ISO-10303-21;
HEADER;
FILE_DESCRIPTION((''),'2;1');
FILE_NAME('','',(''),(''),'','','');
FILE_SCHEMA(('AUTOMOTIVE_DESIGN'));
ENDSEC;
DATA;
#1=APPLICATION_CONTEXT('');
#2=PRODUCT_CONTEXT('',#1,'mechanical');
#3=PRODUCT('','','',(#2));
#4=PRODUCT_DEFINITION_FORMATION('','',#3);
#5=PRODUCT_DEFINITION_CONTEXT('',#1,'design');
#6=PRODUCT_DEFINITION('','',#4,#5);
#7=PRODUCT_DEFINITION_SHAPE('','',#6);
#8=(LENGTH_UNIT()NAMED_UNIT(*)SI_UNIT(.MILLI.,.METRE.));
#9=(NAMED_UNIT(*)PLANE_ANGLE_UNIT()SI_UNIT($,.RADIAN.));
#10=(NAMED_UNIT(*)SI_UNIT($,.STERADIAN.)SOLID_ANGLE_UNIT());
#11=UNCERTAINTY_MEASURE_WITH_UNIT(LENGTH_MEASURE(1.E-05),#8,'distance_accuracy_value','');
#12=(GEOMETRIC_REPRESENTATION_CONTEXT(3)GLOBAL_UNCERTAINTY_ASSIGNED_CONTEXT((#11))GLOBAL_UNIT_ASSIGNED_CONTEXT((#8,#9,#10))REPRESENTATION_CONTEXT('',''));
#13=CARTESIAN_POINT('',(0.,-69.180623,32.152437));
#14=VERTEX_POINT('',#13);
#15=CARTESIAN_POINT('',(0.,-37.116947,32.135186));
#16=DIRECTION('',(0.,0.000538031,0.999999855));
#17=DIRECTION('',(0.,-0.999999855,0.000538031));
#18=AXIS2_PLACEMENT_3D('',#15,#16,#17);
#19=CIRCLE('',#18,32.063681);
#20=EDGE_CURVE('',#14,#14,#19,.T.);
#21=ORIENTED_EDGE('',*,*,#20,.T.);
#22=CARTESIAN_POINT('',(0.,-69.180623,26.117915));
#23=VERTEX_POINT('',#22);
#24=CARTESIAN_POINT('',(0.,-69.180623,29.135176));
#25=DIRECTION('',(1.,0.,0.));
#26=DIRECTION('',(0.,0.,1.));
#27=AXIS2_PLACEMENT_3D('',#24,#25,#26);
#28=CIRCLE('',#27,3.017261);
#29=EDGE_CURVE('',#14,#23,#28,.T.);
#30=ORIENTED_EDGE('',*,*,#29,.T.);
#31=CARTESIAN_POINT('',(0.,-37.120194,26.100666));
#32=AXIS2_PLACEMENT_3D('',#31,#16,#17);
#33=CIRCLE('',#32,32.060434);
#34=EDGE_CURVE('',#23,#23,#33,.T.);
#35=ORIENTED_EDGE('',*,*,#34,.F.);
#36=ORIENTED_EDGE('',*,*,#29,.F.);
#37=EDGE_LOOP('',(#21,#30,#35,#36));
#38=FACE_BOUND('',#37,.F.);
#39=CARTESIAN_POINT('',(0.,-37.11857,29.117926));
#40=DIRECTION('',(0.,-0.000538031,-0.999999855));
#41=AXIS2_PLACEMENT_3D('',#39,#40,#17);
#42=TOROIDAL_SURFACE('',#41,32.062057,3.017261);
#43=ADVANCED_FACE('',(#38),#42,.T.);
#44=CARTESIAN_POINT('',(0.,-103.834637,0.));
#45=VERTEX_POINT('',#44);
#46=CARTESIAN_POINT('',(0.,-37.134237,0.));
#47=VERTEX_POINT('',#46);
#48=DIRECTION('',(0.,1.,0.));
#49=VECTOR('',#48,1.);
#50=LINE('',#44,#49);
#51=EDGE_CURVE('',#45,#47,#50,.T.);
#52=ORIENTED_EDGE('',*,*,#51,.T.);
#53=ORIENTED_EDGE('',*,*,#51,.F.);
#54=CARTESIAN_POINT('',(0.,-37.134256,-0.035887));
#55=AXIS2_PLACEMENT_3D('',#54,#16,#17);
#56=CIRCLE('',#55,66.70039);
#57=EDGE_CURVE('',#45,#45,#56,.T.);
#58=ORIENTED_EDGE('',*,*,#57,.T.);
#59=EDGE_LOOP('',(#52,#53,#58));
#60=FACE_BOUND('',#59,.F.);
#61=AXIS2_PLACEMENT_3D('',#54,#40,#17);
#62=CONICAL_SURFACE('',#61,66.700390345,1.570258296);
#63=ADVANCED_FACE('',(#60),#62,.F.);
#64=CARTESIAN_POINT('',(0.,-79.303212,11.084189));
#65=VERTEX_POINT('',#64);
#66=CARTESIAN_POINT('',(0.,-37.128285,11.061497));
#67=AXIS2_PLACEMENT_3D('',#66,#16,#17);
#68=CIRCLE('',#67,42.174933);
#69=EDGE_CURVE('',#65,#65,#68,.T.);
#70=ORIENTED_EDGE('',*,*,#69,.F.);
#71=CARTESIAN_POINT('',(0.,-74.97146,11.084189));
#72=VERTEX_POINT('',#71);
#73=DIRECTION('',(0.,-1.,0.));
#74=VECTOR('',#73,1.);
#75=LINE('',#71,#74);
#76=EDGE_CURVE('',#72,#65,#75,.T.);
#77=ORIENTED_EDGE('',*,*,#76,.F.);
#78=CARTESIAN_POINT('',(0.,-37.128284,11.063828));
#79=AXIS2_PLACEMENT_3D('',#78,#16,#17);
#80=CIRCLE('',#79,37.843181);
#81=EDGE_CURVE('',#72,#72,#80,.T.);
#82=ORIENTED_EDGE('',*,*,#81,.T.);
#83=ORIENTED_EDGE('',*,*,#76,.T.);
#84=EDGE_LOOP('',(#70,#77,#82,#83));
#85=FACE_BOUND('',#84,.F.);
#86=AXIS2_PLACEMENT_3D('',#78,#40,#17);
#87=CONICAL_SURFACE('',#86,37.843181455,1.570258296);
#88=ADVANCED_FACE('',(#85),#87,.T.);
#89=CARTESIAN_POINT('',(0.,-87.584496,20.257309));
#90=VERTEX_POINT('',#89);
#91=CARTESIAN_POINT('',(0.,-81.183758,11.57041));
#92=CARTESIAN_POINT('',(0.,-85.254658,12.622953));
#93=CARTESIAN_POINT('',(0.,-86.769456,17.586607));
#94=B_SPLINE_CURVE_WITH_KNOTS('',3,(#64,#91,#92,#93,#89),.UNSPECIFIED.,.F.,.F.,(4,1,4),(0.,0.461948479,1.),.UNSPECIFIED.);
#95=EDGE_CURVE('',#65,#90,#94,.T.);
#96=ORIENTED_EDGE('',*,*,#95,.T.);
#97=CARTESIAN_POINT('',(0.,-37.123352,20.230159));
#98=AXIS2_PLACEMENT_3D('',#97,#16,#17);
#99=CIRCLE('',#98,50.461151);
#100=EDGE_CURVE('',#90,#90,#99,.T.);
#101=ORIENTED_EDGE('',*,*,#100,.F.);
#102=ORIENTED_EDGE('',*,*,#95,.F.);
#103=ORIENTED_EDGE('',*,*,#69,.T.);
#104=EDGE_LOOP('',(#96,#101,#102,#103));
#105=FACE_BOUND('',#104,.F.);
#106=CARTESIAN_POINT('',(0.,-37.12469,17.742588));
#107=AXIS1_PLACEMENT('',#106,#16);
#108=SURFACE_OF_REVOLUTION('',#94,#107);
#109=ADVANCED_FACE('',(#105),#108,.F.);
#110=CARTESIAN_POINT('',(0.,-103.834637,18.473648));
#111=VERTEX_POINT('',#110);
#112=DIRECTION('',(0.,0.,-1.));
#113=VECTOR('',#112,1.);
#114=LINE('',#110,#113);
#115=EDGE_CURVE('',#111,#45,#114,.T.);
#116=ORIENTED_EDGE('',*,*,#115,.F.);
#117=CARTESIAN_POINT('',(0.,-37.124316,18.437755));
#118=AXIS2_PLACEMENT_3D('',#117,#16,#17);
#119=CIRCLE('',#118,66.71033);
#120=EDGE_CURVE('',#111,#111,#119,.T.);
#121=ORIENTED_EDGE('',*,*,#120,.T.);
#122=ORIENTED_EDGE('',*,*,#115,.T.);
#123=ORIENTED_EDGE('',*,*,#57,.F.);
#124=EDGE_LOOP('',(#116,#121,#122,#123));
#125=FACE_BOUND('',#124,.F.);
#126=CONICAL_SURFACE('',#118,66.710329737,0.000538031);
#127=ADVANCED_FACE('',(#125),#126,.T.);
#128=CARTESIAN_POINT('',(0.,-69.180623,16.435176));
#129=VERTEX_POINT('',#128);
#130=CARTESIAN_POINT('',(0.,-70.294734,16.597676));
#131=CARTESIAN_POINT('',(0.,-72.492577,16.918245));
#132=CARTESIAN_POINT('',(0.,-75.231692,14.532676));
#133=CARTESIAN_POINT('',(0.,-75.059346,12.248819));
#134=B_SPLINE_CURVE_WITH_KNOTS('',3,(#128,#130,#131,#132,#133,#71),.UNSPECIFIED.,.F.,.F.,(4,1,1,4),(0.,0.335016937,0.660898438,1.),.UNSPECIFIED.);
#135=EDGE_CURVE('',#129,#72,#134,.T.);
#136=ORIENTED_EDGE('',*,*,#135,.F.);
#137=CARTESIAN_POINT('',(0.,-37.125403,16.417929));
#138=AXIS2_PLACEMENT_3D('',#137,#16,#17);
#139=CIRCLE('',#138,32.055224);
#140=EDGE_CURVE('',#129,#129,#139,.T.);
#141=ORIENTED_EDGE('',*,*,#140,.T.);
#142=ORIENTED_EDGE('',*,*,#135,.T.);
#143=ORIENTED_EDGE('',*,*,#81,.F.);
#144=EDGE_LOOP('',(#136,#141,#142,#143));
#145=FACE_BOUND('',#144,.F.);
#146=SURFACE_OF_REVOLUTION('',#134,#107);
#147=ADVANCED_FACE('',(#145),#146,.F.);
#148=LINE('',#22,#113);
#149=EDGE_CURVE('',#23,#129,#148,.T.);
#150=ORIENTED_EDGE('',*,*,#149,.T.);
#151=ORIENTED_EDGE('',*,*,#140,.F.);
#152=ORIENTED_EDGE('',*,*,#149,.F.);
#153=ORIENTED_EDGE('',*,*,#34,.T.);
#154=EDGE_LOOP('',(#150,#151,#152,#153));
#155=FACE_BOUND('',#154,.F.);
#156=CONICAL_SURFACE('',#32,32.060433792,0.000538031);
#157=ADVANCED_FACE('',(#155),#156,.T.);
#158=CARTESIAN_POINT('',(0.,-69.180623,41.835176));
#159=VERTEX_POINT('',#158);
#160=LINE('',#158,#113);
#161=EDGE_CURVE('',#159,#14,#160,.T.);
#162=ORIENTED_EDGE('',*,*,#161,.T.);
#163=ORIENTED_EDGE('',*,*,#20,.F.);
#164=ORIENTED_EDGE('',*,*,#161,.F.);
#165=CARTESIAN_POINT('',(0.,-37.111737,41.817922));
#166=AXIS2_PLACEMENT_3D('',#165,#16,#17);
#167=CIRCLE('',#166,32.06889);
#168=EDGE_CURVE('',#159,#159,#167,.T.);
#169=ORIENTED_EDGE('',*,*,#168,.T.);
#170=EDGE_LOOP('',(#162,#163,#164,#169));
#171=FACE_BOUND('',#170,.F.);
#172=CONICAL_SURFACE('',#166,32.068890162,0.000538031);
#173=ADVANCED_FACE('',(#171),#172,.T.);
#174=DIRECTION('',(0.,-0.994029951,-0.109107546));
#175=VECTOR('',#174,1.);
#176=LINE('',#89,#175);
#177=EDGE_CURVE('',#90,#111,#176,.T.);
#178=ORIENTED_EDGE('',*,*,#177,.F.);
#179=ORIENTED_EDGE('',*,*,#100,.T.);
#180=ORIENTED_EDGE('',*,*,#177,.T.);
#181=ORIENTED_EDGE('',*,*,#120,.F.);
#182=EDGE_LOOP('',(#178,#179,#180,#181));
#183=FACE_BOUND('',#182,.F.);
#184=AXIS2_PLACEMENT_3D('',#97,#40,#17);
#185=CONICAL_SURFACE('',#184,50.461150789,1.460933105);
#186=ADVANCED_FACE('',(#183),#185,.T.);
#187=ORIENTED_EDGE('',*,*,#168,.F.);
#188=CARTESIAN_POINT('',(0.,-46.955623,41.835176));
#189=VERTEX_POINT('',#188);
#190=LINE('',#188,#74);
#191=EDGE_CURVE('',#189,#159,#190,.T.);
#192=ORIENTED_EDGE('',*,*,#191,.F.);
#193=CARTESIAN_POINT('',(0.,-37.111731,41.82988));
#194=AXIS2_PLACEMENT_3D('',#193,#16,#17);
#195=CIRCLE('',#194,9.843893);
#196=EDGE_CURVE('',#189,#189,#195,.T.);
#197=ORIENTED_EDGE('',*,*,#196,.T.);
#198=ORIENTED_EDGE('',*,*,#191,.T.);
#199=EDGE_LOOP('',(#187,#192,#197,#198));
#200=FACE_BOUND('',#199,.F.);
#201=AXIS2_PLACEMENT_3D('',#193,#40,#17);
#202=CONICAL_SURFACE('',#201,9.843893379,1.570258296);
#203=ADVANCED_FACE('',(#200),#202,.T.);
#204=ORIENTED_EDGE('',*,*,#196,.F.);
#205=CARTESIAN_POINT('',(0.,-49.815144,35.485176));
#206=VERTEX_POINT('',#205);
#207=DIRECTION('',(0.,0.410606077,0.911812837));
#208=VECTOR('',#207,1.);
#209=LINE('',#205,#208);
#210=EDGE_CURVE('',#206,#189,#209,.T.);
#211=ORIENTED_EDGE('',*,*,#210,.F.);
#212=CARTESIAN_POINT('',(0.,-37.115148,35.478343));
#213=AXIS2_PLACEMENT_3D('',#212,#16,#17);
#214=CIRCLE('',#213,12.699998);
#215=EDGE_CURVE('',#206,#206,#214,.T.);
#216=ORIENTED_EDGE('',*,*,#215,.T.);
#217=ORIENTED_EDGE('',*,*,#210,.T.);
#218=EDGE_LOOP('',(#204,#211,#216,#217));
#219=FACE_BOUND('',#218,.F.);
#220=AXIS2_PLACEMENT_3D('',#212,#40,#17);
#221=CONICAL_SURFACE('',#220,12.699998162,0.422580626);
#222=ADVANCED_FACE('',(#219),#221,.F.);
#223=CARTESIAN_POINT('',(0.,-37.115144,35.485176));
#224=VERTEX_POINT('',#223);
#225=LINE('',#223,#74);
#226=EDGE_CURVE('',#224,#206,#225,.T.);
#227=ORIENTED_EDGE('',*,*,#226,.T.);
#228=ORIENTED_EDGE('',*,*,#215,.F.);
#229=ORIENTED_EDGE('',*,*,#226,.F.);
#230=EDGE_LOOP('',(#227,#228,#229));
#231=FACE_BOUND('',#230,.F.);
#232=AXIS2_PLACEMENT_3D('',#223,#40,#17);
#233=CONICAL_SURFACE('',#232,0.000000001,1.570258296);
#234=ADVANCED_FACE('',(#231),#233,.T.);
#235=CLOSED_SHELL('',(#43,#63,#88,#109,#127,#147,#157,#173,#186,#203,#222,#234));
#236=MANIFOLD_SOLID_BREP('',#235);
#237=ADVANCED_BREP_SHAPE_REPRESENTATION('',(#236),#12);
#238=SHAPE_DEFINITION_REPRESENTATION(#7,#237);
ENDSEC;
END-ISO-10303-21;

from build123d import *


with BuildPart() as f1:
    # F0 (on Right) → F1 (revolve)
    with BuildSketch(Plane.YZ):
        with BuildLine():
            Line((-46.9556226969, 41.8351761341), (-69.1806226969, 41.8351761341))
            Line((-69.1806226969, 41.8351761341), (-69.1806226969, 32.1524369806))
            ThreePointArc((-69.1806226969, 32.1524369806), (-72.1978835434, 29.1351761341), (-69.1806226969, 26.1179152876))
            Line((-69.1806226969, 26.1179152876), (-69.1806226969, 16.4351761341))
            add(Edge.make_bspline(
                [(-69.1806226969, 16.4351761341), (-70.2947342204, 16.5976760305), (-72.492577032, 16.9182446824), (-75.2316923168, 14.5326755613), (-75.0593460743, 12.2488189069), (-74.971459806, 11.0841887072)],
                knots=[0, 0, 0, 0, 0.3350169367, 0.6608984385, 1, 1, 1, 1], degree=3))
            Line((-74.971459806, 11.0841887072), (-79.3032124639, 11.0841887072))
            add(Edge.make_bspline(
                [(-79.3032124639, 11.0841887072), (-81.1837583335, 11.5704095004), (-85.2546579169, 12.6229528371), (-86.7694560854, 17.5866072638), (-87.5844955444, 20.2573090792)],
                knots=[0, 0, 0, 0, 0.4619484787, 1, 1, 1, 1], degree=3))
            Line((-87.5844955444, 20.2573090792), (-103.8346365094, 18.4736475348))
            Line((-103.8346365094, 18.4736475348), (-103.8346365094, 0))
            Line((-103.8346365094, 0), (-37.1342365094, 0))
            Line((-37.1342365094, 0), (-37.1151443899, 35.4851761341))
            Line((-37.1151443899, 35.4851761341), (-49.8151443899, 35.4851761341))
            Line((-49.8151443899, 35.4851761341), (-46.9556226969, 41.8351761341))
        make_face()
    revolve(axis=Axis((0, -37.1246904496, 17.7425880671), (0, 0.0005380308, 0.9999998553)))


solid = f1.part
